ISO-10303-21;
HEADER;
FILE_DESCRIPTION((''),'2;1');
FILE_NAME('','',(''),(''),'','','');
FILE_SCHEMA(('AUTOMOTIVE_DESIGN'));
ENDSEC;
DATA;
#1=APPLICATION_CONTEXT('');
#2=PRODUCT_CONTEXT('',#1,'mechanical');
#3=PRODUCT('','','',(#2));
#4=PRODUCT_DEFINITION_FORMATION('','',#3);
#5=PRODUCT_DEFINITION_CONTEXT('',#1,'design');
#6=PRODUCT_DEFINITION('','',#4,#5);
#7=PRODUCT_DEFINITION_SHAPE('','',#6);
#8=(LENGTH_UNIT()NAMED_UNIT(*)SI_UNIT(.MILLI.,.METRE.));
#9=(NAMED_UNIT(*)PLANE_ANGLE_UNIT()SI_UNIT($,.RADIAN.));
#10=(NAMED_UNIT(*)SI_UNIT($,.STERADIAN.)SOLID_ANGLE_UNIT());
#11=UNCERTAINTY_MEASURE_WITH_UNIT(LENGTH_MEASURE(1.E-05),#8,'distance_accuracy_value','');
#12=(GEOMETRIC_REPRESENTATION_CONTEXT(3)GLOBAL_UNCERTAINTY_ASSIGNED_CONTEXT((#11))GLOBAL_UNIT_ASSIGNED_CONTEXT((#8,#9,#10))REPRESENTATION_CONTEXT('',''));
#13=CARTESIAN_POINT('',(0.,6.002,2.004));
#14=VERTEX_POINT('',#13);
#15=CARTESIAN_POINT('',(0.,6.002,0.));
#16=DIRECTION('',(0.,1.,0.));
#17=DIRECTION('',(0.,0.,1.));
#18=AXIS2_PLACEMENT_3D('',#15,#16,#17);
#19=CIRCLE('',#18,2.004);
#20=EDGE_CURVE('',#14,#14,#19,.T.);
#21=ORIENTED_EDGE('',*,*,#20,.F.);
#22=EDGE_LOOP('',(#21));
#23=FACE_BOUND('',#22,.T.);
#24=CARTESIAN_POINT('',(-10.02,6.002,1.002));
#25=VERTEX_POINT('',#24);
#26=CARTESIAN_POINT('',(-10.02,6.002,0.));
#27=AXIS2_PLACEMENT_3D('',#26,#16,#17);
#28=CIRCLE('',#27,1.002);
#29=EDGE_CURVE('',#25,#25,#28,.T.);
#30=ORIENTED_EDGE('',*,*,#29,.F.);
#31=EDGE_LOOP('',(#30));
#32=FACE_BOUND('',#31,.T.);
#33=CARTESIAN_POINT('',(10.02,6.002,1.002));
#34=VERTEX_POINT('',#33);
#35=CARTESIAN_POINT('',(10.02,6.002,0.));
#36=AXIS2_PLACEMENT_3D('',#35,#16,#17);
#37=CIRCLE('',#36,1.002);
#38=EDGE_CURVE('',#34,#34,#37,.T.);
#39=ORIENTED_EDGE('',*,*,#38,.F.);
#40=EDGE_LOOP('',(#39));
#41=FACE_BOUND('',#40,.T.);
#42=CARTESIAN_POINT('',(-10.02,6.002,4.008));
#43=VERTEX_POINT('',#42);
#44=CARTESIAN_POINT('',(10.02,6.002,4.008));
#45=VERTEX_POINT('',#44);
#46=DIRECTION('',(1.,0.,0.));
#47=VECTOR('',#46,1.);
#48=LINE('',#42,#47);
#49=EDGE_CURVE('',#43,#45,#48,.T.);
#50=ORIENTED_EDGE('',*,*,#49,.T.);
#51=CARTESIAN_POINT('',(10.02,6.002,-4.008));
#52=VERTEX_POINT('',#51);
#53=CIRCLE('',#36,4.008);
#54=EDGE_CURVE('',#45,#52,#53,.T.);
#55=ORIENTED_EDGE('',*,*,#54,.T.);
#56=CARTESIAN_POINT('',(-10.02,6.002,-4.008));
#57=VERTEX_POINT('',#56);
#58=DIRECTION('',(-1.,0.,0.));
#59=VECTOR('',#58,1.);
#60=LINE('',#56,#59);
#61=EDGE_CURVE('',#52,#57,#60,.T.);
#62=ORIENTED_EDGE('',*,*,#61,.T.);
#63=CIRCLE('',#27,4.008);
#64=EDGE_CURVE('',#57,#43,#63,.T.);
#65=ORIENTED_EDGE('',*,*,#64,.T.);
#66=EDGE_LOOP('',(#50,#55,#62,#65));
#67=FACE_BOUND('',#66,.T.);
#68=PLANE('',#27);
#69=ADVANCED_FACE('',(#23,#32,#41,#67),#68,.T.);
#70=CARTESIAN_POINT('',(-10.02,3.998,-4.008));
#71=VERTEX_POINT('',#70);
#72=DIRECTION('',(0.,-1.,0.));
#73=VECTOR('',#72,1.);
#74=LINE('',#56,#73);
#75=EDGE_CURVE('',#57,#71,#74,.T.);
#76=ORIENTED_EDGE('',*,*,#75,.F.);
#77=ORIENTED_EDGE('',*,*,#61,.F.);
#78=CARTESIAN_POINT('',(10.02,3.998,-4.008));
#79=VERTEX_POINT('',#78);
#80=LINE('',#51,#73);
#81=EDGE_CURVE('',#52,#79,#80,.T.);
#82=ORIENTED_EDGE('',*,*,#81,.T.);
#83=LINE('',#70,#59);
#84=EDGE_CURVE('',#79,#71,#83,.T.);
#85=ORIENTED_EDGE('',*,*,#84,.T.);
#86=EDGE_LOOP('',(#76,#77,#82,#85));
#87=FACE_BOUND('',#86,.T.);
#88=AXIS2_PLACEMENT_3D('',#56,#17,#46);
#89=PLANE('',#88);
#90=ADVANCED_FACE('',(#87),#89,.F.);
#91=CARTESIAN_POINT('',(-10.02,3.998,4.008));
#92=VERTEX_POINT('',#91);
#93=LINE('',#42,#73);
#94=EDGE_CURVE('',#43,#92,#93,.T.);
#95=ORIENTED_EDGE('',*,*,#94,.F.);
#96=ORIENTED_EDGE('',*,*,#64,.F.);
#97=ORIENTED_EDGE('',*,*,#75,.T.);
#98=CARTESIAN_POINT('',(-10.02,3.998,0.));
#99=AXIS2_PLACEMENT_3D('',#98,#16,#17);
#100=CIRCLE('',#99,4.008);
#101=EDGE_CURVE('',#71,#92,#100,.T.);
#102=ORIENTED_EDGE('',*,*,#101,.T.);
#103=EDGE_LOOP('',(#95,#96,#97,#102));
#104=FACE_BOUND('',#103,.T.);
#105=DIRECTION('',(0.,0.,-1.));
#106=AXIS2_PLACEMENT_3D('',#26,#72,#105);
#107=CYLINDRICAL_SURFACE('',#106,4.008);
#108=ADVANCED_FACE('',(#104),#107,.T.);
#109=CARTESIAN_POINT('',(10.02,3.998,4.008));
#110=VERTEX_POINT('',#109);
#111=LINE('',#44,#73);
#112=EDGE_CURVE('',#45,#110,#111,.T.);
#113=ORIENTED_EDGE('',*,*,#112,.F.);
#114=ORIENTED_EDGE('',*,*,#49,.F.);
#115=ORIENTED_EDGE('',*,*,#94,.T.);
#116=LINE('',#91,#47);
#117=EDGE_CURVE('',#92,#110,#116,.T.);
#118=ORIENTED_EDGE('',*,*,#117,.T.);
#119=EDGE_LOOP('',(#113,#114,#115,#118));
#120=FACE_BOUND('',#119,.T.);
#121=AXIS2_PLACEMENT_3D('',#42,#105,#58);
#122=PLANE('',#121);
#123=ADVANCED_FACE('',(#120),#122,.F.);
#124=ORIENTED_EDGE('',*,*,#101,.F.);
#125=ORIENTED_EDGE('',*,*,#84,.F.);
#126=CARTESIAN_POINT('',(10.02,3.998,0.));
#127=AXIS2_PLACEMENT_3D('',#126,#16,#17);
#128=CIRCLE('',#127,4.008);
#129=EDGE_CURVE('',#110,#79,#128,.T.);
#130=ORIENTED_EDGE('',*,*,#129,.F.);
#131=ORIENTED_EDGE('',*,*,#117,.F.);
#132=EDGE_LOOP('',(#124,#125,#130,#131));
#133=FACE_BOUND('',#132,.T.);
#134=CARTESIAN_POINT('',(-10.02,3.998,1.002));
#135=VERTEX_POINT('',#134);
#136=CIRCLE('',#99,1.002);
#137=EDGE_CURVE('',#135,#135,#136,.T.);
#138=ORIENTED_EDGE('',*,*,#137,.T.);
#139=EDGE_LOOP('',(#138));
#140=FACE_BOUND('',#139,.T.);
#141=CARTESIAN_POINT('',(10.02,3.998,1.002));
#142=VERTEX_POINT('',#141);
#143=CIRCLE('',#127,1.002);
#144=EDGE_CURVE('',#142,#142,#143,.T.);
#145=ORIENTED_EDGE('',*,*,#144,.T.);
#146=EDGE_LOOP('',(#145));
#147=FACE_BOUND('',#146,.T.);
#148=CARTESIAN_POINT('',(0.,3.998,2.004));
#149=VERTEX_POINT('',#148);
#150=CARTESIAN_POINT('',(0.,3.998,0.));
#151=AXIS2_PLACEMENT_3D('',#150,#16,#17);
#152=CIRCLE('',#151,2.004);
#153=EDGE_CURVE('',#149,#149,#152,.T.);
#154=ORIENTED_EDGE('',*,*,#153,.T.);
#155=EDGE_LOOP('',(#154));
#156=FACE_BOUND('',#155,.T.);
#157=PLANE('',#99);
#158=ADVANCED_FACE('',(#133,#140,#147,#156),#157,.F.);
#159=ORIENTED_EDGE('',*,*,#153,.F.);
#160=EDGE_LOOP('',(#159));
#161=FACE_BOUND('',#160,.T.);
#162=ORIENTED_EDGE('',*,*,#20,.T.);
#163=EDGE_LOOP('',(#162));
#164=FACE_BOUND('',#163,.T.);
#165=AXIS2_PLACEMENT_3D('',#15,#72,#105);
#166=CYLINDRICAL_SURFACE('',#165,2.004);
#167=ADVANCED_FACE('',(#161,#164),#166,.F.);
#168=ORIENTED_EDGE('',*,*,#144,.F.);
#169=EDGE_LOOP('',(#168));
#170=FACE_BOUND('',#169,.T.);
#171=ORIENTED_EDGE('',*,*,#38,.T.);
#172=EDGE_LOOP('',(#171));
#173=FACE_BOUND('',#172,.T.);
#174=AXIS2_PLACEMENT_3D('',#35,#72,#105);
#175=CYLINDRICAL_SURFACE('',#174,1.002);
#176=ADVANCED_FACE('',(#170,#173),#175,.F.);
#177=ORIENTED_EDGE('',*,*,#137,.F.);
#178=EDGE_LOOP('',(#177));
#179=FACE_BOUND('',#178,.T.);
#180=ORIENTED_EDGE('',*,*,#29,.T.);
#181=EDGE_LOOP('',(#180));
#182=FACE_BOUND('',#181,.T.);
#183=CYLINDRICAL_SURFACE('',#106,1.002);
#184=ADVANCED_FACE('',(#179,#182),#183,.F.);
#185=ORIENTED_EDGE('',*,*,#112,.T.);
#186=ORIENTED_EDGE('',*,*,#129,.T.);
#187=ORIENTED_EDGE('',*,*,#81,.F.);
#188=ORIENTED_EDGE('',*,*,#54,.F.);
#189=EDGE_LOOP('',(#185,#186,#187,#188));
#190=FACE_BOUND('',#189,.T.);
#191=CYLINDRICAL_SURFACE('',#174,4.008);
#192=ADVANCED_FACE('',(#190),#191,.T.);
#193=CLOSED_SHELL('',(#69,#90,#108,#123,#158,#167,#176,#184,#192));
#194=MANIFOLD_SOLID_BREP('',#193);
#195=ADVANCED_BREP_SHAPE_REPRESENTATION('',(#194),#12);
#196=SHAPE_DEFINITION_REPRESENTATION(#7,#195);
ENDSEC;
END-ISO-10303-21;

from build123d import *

# Parameters (mm, degrees)
SKETCH2_R           = 5
SKETCH2_R_2         = 10
BOSS_EXTRUDE1_DEPTH = 10
SCALE2_SCALE        = 0.2004


with BuildPart() as part:
    # Sketch2 → Boss-Extrude1 (new body)
    with BuildSketch(Plane(origin=(0, 0, 0), x_dir=(1, 0, 0), z_dir=(0, 1, 0))):
        with BuildLine():
            Line((-50, 20), (50, 20))
            ThreePointArc((50, 20), (70, 0), (50, -20))
            Line((50, -20), (-50, -20))
            ThreePointArc((-50, -20), (-70, 0), (-50, 20))
        make_face()
        with Locations(Location((50, 0, 0), (0, 0, 270))):
            Circle(SKETCH2_R, mode=Mode.SUBTRACT)
        with Locations(Location((-50, 0, 0), (0, 0, 270))):
            Circle(SKETCH2_R, mode=Mode.SUBTRACT)
        with Locations(Location((0, 0, 0), (0, 0, 270))):
            Circle(SKETCH2_R_2, mode=Mode.SUBTRACT)
    extrude(amount=BOSS_EXTRUDE1_DEPTH)


with BuildPart() as part_1:
    # Scale2: scaled about (0, 5, 0)
    add(part.part.scale(SCALE2_SCALE).moved(Location((0, 3.998, 0))))


solid = part_1.part
